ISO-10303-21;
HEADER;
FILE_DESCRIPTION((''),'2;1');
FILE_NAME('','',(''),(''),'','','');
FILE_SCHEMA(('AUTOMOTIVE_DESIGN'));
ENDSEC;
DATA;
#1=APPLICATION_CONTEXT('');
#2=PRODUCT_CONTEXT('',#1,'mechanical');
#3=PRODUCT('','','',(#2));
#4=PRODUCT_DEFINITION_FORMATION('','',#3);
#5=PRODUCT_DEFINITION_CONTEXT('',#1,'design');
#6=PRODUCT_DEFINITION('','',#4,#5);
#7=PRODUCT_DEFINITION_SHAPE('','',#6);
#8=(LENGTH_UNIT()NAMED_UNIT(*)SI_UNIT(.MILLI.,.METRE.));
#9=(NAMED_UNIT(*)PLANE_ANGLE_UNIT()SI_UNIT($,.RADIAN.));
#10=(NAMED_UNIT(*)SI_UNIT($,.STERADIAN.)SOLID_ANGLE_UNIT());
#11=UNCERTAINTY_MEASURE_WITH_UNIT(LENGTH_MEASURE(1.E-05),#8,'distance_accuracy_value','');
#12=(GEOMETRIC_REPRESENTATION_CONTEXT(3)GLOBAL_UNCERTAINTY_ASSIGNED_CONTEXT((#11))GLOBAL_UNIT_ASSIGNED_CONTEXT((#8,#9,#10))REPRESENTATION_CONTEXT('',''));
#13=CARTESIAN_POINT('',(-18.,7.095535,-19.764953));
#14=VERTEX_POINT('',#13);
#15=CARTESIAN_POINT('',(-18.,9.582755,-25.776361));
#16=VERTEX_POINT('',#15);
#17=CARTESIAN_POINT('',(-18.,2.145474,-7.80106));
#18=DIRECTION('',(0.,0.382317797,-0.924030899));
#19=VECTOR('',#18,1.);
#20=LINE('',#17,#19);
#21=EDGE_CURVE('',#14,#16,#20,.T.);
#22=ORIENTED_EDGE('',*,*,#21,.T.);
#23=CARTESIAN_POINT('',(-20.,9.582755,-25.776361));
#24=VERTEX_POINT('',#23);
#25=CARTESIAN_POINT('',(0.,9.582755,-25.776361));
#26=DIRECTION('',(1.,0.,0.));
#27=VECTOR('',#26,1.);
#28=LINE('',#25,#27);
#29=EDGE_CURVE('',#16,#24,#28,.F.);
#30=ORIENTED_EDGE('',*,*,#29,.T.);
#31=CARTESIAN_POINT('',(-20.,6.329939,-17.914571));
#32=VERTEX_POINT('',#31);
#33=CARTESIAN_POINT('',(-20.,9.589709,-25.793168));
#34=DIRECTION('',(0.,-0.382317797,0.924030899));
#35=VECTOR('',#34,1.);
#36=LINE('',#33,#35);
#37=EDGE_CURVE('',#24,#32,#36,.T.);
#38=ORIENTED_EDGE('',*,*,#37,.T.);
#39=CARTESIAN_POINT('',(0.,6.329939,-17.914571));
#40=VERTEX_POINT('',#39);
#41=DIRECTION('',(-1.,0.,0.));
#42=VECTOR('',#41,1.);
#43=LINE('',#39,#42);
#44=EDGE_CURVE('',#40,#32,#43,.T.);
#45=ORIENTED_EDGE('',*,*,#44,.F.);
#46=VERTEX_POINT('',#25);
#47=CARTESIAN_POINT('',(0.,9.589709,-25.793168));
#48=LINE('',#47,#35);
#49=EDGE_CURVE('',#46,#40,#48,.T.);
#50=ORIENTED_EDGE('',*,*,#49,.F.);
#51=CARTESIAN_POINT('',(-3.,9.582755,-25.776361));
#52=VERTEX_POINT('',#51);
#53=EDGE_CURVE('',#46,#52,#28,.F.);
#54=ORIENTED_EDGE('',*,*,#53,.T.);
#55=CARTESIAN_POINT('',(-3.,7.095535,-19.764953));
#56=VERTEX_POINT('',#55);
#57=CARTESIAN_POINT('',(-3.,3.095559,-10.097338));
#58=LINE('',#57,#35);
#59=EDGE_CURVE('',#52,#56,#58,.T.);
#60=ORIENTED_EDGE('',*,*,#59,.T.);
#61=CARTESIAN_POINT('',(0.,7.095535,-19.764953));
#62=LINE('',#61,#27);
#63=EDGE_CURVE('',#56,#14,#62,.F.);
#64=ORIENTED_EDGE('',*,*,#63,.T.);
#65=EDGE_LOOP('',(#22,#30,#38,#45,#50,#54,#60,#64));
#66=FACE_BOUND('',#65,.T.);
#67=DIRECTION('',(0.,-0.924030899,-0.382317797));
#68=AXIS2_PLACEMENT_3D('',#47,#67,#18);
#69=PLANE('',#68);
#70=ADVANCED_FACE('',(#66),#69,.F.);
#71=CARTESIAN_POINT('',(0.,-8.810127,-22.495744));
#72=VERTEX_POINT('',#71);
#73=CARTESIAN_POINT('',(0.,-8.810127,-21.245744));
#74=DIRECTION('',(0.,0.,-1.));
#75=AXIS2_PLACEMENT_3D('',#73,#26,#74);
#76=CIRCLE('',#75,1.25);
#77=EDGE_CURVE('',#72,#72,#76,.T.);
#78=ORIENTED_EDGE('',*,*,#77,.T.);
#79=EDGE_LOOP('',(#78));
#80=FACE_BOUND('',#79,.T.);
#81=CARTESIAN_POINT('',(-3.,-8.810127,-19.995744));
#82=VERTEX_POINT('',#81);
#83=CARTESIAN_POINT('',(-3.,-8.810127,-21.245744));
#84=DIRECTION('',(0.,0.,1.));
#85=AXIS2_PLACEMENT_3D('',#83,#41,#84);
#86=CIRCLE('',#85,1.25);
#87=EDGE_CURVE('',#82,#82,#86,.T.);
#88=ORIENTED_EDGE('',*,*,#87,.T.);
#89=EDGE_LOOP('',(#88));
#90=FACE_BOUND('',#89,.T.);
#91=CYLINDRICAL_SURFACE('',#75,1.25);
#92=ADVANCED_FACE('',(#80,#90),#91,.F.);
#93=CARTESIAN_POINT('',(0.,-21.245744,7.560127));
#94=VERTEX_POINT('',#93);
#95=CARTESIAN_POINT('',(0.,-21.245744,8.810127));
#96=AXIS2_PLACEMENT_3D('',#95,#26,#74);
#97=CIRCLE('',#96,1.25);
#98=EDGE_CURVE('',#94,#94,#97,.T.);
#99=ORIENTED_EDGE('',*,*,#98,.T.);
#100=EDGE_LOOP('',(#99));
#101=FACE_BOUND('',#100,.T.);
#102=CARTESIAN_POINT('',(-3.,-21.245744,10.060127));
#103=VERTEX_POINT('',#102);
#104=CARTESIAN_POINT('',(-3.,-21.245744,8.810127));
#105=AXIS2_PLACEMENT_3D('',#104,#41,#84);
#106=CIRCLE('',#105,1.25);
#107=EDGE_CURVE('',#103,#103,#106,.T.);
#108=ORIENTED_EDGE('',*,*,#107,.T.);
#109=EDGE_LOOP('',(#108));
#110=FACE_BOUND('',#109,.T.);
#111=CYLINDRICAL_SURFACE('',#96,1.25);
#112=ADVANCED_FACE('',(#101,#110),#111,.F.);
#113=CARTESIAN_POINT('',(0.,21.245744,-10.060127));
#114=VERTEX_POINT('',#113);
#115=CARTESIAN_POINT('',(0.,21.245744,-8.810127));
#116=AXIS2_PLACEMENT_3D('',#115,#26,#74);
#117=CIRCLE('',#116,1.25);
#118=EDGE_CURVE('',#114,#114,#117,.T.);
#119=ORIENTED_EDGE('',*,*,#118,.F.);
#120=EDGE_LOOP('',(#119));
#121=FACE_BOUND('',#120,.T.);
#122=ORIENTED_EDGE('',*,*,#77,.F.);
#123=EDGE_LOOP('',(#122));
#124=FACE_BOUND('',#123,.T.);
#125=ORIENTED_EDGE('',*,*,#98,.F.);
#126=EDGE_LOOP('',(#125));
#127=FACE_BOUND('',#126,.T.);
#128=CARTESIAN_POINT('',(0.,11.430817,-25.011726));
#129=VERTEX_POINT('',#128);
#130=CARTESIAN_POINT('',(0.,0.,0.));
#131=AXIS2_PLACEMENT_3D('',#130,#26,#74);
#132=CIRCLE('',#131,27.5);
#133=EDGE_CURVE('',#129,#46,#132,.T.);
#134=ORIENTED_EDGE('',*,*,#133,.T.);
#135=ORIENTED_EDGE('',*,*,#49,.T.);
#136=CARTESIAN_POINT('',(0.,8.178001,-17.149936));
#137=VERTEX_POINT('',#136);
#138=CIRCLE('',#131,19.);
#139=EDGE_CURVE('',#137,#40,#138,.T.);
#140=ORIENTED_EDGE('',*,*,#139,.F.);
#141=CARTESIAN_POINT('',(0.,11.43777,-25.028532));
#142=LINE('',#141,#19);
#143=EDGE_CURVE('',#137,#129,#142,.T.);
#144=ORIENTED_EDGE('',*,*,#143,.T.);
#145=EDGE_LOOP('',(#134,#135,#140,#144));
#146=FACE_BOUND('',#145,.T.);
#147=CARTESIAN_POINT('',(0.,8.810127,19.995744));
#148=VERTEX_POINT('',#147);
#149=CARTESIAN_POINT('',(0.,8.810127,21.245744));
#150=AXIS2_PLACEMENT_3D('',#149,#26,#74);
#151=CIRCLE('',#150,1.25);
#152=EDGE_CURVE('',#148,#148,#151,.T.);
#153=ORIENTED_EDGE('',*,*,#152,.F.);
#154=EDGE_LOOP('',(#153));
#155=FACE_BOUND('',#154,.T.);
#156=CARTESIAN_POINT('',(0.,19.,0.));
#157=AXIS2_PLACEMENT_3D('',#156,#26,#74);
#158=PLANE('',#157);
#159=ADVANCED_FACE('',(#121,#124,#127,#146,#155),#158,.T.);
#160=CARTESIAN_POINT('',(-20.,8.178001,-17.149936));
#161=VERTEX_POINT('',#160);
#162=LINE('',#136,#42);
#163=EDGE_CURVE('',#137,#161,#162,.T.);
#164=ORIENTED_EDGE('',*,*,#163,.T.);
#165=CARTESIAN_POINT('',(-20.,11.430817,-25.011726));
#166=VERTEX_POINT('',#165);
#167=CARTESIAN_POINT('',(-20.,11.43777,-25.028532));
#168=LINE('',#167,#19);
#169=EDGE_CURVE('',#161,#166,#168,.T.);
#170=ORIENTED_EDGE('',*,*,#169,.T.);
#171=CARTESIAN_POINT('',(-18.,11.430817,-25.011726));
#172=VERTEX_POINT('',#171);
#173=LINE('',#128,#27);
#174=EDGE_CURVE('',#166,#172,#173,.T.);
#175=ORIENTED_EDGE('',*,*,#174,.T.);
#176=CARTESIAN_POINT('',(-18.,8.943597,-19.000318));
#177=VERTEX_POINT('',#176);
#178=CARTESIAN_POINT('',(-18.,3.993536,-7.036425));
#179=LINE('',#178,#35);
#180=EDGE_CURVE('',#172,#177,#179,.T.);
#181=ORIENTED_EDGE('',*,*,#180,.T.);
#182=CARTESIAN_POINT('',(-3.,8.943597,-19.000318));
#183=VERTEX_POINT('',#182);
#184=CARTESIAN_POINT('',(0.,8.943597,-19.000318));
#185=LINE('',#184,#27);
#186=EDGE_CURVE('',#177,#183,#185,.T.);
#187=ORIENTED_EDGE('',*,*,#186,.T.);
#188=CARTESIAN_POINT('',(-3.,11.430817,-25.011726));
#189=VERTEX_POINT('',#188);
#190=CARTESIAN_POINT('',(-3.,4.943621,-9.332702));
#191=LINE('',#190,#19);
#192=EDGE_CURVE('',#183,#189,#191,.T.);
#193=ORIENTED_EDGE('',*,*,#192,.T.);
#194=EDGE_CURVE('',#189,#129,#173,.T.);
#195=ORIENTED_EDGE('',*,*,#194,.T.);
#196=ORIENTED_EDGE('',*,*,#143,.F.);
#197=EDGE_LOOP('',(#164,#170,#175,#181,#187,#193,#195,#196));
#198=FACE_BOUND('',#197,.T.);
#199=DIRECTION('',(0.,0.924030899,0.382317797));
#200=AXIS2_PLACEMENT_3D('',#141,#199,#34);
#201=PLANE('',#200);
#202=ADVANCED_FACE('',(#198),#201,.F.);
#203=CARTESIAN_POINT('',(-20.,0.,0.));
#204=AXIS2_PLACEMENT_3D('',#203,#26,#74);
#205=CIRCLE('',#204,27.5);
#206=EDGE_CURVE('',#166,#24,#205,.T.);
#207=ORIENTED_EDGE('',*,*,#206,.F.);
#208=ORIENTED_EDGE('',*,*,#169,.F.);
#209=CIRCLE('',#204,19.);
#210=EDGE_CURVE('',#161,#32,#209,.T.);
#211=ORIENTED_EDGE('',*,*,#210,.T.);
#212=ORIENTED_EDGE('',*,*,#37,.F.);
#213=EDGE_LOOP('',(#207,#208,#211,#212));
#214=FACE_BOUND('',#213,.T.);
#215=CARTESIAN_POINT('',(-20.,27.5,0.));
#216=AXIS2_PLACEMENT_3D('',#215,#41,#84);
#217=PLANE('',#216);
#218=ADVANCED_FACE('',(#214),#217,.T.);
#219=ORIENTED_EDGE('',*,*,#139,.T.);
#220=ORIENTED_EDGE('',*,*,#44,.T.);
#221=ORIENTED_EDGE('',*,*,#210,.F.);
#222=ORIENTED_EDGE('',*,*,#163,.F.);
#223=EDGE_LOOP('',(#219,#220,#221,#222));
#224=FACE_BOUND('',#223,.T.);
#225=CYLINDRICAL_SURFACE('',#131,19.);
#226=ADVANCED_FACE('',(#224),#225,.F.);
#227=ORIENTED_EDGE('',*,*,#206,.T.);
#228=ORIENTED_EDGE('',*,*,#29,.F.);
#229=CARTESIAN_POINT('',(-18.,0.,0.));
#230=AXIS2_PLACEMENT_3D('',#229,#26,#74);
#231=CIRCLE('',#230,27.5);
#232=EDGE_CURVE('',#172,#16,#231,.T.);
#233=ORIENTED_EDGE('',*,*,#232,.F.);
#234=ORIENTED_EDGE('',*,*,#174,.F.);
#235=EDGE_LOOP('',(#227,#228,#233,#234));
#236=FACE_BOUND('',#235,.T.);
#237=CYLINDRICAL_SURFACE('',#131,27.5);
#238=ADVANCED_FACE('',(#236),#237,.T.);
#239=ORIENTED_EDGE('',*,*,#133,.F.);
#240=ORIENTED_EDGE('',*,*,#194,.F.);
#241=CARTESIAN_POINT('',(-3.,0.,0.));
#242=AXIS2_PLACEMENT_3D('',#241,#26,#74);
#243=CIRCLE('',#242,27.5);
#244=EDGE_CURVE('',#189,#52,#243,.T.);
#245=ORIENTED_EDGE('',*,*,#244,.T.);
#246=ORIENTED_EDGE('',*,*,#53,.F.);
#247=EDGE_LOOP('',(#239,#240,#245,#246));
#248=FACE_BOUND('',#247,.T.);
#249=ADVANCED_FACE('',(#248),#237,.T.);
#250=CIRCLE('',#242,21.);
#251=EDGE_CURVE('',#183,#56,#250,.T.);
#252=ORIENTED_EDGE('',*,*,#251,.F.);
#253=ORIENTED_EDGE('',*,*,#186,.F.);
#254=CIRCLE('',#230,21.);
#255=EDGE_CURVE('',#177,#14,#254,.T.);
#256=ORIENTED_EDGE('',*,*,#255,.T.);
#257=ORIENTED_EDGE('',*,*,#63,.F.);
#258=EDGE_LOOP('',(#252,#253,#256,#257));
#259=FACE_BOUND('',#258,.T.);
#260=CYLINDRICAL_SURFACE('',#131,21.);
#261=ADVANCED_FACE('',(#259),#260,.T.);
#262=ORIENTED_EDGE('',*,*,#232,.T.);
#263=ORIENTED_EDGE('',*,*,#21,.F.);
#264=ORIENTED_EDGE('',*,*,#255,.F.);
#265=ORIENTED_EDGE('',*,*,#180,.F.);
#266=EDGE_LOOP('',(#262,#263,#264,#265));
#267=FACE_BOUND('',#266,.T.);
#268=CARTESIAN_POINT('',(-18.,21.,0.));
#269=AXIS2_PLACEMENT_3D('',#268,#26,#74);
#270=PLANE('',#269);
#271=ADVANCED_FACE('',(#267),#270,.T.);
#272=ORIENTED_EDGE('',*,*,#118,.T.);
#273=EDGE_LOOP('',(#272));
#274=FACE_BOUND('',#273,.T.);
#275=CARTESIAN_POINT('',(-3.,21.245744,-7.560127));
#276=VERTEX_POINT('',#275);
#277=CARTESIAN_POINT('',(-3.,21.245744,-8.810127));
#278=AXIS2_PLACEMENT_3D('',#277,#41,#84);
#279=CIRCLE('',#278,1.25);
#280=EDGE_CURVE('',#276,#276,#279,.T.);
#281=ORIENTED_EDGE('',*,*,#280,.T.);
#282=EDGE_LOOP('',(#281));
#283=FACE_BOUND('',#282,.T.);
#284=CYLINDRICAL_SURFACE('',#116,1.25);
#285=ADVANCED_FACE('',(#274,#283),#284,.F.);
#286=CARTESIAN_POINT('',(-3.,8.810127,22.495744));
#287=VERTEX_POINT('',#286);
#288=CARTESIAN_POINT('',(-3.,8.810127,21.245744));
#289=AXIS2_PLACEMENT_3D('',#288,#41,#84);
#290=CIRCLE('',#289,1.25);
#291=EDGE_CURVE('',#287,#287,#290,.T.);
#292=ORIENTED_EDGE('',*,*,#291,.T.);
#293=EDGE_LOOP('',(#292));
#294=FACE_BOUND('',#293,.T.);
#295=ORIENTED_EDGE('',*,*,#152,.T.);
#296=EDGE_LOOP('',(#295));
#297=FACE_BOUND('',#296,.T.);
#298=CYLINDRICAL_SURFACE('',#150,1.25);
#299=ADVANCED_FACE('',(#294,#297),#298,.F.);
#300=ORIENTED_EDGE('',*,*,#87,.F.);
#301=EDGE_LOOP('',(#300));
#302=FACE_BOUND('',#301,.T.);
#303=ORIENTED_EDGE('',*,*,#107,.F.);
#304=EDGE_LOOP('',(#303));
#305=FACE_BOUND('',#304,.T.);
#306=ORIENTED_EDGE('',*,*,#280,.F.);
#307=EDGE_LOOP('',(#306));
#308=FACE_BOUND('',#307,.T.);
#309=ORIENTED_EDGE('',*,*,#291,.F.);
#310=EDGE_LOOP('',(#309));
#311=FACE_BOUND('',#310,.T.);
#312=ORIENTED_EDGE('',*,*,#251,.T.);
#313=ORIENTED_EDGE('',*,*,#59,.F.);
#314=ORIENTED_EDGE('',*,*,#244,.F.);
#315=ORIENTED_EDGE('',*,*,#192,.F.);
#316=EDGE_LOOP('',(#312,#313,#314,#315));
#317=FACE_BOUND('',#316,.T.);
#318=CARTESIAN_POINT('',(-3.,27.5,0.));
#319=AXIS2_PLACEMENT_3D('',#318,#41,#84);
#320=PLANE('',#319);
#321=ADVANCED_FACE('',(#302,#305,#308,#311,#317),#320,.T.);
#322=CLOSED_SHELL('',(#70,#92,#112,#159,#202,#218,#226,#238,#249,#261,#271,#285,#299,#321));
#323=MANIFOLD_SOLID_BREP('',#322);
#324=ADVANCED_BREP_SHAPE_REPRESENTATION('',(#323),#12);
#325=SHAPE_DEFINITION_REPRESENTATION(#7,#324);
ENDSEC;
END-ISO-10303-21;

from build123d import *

# Parameters (mm, degrees)
M3X0_5_TAPPED_HOLE1_D     = 2.5
M3X0_5_TAPPED_HOLE1_DEPTH = 7.5
M3X0_5_TAPPED_HOLE1_TIP   = 0.751075774
CUT_EXTRUDE1_DEPTH        = 44.732139211


with BuildPart() as part:
    # Sketch1 → Revolve1 (revolve)
    with BuildSketch(Plane.XY, mode=Mode.PRIVATE) as revolve1_sk:
        Polygon((0, 19), (-20, 19), (-20, 27.5), (-18, 27.5), (-18, 21), (-3, 21), (-3, 27.5), (0, 27.5), align=None)
    revolve(revolve1_sk.sketch.rotate(Axis((0, 0, 0), (-1, 0, 0)), 90), axis=Axis((0, 0, 0), (-1, 0, 0)))

    # M3x0.5 Tapped Hole1
    with Locations(Plane(origin=(0, 0, 0), x_dir=(0, 0, -1), z_dir=(1, 0, 0))):
        with Locations((-8.810127185, -21.245744491), (21.245744491, -8.810127185), (8.810127185, 21.245744491), (-21.245744491, 8.810127185)):
            Hole(M3X0_5_TAPPED_HOLE1_D / 2, depth=M3X0_5_TAPPED_HOLE1_DEPTH)
            with Locations((0, 0, -(M3X0_5_TAPPED_HOLE1_DEPTH + M3X0_5_TAPPED_HOLE1_TIP / 2))):  # 118° drill point
                Cone(0, M3X0_5_TAPPED_HOLE1_D / 2, M3X0_5_TAPPED_HOLE1_TIP, mode=Mode.SUBTRACT)

    # Sketch4 → Cut-Extrude1 (cut, through all)
    with BuildSketch(Plane.ZY.offset(20)):
        Polygon((-25.793167519, 9.589708511), (-25.028531926, 11.437770309), (-17.149935818, 8.178001065), (-17.914571412, 6.329939267), align=None)
    extrude(amount=-CUT_EXTRUDE1_DEPTH, mode=Mode.SUBTRACT)


solid = part.part
